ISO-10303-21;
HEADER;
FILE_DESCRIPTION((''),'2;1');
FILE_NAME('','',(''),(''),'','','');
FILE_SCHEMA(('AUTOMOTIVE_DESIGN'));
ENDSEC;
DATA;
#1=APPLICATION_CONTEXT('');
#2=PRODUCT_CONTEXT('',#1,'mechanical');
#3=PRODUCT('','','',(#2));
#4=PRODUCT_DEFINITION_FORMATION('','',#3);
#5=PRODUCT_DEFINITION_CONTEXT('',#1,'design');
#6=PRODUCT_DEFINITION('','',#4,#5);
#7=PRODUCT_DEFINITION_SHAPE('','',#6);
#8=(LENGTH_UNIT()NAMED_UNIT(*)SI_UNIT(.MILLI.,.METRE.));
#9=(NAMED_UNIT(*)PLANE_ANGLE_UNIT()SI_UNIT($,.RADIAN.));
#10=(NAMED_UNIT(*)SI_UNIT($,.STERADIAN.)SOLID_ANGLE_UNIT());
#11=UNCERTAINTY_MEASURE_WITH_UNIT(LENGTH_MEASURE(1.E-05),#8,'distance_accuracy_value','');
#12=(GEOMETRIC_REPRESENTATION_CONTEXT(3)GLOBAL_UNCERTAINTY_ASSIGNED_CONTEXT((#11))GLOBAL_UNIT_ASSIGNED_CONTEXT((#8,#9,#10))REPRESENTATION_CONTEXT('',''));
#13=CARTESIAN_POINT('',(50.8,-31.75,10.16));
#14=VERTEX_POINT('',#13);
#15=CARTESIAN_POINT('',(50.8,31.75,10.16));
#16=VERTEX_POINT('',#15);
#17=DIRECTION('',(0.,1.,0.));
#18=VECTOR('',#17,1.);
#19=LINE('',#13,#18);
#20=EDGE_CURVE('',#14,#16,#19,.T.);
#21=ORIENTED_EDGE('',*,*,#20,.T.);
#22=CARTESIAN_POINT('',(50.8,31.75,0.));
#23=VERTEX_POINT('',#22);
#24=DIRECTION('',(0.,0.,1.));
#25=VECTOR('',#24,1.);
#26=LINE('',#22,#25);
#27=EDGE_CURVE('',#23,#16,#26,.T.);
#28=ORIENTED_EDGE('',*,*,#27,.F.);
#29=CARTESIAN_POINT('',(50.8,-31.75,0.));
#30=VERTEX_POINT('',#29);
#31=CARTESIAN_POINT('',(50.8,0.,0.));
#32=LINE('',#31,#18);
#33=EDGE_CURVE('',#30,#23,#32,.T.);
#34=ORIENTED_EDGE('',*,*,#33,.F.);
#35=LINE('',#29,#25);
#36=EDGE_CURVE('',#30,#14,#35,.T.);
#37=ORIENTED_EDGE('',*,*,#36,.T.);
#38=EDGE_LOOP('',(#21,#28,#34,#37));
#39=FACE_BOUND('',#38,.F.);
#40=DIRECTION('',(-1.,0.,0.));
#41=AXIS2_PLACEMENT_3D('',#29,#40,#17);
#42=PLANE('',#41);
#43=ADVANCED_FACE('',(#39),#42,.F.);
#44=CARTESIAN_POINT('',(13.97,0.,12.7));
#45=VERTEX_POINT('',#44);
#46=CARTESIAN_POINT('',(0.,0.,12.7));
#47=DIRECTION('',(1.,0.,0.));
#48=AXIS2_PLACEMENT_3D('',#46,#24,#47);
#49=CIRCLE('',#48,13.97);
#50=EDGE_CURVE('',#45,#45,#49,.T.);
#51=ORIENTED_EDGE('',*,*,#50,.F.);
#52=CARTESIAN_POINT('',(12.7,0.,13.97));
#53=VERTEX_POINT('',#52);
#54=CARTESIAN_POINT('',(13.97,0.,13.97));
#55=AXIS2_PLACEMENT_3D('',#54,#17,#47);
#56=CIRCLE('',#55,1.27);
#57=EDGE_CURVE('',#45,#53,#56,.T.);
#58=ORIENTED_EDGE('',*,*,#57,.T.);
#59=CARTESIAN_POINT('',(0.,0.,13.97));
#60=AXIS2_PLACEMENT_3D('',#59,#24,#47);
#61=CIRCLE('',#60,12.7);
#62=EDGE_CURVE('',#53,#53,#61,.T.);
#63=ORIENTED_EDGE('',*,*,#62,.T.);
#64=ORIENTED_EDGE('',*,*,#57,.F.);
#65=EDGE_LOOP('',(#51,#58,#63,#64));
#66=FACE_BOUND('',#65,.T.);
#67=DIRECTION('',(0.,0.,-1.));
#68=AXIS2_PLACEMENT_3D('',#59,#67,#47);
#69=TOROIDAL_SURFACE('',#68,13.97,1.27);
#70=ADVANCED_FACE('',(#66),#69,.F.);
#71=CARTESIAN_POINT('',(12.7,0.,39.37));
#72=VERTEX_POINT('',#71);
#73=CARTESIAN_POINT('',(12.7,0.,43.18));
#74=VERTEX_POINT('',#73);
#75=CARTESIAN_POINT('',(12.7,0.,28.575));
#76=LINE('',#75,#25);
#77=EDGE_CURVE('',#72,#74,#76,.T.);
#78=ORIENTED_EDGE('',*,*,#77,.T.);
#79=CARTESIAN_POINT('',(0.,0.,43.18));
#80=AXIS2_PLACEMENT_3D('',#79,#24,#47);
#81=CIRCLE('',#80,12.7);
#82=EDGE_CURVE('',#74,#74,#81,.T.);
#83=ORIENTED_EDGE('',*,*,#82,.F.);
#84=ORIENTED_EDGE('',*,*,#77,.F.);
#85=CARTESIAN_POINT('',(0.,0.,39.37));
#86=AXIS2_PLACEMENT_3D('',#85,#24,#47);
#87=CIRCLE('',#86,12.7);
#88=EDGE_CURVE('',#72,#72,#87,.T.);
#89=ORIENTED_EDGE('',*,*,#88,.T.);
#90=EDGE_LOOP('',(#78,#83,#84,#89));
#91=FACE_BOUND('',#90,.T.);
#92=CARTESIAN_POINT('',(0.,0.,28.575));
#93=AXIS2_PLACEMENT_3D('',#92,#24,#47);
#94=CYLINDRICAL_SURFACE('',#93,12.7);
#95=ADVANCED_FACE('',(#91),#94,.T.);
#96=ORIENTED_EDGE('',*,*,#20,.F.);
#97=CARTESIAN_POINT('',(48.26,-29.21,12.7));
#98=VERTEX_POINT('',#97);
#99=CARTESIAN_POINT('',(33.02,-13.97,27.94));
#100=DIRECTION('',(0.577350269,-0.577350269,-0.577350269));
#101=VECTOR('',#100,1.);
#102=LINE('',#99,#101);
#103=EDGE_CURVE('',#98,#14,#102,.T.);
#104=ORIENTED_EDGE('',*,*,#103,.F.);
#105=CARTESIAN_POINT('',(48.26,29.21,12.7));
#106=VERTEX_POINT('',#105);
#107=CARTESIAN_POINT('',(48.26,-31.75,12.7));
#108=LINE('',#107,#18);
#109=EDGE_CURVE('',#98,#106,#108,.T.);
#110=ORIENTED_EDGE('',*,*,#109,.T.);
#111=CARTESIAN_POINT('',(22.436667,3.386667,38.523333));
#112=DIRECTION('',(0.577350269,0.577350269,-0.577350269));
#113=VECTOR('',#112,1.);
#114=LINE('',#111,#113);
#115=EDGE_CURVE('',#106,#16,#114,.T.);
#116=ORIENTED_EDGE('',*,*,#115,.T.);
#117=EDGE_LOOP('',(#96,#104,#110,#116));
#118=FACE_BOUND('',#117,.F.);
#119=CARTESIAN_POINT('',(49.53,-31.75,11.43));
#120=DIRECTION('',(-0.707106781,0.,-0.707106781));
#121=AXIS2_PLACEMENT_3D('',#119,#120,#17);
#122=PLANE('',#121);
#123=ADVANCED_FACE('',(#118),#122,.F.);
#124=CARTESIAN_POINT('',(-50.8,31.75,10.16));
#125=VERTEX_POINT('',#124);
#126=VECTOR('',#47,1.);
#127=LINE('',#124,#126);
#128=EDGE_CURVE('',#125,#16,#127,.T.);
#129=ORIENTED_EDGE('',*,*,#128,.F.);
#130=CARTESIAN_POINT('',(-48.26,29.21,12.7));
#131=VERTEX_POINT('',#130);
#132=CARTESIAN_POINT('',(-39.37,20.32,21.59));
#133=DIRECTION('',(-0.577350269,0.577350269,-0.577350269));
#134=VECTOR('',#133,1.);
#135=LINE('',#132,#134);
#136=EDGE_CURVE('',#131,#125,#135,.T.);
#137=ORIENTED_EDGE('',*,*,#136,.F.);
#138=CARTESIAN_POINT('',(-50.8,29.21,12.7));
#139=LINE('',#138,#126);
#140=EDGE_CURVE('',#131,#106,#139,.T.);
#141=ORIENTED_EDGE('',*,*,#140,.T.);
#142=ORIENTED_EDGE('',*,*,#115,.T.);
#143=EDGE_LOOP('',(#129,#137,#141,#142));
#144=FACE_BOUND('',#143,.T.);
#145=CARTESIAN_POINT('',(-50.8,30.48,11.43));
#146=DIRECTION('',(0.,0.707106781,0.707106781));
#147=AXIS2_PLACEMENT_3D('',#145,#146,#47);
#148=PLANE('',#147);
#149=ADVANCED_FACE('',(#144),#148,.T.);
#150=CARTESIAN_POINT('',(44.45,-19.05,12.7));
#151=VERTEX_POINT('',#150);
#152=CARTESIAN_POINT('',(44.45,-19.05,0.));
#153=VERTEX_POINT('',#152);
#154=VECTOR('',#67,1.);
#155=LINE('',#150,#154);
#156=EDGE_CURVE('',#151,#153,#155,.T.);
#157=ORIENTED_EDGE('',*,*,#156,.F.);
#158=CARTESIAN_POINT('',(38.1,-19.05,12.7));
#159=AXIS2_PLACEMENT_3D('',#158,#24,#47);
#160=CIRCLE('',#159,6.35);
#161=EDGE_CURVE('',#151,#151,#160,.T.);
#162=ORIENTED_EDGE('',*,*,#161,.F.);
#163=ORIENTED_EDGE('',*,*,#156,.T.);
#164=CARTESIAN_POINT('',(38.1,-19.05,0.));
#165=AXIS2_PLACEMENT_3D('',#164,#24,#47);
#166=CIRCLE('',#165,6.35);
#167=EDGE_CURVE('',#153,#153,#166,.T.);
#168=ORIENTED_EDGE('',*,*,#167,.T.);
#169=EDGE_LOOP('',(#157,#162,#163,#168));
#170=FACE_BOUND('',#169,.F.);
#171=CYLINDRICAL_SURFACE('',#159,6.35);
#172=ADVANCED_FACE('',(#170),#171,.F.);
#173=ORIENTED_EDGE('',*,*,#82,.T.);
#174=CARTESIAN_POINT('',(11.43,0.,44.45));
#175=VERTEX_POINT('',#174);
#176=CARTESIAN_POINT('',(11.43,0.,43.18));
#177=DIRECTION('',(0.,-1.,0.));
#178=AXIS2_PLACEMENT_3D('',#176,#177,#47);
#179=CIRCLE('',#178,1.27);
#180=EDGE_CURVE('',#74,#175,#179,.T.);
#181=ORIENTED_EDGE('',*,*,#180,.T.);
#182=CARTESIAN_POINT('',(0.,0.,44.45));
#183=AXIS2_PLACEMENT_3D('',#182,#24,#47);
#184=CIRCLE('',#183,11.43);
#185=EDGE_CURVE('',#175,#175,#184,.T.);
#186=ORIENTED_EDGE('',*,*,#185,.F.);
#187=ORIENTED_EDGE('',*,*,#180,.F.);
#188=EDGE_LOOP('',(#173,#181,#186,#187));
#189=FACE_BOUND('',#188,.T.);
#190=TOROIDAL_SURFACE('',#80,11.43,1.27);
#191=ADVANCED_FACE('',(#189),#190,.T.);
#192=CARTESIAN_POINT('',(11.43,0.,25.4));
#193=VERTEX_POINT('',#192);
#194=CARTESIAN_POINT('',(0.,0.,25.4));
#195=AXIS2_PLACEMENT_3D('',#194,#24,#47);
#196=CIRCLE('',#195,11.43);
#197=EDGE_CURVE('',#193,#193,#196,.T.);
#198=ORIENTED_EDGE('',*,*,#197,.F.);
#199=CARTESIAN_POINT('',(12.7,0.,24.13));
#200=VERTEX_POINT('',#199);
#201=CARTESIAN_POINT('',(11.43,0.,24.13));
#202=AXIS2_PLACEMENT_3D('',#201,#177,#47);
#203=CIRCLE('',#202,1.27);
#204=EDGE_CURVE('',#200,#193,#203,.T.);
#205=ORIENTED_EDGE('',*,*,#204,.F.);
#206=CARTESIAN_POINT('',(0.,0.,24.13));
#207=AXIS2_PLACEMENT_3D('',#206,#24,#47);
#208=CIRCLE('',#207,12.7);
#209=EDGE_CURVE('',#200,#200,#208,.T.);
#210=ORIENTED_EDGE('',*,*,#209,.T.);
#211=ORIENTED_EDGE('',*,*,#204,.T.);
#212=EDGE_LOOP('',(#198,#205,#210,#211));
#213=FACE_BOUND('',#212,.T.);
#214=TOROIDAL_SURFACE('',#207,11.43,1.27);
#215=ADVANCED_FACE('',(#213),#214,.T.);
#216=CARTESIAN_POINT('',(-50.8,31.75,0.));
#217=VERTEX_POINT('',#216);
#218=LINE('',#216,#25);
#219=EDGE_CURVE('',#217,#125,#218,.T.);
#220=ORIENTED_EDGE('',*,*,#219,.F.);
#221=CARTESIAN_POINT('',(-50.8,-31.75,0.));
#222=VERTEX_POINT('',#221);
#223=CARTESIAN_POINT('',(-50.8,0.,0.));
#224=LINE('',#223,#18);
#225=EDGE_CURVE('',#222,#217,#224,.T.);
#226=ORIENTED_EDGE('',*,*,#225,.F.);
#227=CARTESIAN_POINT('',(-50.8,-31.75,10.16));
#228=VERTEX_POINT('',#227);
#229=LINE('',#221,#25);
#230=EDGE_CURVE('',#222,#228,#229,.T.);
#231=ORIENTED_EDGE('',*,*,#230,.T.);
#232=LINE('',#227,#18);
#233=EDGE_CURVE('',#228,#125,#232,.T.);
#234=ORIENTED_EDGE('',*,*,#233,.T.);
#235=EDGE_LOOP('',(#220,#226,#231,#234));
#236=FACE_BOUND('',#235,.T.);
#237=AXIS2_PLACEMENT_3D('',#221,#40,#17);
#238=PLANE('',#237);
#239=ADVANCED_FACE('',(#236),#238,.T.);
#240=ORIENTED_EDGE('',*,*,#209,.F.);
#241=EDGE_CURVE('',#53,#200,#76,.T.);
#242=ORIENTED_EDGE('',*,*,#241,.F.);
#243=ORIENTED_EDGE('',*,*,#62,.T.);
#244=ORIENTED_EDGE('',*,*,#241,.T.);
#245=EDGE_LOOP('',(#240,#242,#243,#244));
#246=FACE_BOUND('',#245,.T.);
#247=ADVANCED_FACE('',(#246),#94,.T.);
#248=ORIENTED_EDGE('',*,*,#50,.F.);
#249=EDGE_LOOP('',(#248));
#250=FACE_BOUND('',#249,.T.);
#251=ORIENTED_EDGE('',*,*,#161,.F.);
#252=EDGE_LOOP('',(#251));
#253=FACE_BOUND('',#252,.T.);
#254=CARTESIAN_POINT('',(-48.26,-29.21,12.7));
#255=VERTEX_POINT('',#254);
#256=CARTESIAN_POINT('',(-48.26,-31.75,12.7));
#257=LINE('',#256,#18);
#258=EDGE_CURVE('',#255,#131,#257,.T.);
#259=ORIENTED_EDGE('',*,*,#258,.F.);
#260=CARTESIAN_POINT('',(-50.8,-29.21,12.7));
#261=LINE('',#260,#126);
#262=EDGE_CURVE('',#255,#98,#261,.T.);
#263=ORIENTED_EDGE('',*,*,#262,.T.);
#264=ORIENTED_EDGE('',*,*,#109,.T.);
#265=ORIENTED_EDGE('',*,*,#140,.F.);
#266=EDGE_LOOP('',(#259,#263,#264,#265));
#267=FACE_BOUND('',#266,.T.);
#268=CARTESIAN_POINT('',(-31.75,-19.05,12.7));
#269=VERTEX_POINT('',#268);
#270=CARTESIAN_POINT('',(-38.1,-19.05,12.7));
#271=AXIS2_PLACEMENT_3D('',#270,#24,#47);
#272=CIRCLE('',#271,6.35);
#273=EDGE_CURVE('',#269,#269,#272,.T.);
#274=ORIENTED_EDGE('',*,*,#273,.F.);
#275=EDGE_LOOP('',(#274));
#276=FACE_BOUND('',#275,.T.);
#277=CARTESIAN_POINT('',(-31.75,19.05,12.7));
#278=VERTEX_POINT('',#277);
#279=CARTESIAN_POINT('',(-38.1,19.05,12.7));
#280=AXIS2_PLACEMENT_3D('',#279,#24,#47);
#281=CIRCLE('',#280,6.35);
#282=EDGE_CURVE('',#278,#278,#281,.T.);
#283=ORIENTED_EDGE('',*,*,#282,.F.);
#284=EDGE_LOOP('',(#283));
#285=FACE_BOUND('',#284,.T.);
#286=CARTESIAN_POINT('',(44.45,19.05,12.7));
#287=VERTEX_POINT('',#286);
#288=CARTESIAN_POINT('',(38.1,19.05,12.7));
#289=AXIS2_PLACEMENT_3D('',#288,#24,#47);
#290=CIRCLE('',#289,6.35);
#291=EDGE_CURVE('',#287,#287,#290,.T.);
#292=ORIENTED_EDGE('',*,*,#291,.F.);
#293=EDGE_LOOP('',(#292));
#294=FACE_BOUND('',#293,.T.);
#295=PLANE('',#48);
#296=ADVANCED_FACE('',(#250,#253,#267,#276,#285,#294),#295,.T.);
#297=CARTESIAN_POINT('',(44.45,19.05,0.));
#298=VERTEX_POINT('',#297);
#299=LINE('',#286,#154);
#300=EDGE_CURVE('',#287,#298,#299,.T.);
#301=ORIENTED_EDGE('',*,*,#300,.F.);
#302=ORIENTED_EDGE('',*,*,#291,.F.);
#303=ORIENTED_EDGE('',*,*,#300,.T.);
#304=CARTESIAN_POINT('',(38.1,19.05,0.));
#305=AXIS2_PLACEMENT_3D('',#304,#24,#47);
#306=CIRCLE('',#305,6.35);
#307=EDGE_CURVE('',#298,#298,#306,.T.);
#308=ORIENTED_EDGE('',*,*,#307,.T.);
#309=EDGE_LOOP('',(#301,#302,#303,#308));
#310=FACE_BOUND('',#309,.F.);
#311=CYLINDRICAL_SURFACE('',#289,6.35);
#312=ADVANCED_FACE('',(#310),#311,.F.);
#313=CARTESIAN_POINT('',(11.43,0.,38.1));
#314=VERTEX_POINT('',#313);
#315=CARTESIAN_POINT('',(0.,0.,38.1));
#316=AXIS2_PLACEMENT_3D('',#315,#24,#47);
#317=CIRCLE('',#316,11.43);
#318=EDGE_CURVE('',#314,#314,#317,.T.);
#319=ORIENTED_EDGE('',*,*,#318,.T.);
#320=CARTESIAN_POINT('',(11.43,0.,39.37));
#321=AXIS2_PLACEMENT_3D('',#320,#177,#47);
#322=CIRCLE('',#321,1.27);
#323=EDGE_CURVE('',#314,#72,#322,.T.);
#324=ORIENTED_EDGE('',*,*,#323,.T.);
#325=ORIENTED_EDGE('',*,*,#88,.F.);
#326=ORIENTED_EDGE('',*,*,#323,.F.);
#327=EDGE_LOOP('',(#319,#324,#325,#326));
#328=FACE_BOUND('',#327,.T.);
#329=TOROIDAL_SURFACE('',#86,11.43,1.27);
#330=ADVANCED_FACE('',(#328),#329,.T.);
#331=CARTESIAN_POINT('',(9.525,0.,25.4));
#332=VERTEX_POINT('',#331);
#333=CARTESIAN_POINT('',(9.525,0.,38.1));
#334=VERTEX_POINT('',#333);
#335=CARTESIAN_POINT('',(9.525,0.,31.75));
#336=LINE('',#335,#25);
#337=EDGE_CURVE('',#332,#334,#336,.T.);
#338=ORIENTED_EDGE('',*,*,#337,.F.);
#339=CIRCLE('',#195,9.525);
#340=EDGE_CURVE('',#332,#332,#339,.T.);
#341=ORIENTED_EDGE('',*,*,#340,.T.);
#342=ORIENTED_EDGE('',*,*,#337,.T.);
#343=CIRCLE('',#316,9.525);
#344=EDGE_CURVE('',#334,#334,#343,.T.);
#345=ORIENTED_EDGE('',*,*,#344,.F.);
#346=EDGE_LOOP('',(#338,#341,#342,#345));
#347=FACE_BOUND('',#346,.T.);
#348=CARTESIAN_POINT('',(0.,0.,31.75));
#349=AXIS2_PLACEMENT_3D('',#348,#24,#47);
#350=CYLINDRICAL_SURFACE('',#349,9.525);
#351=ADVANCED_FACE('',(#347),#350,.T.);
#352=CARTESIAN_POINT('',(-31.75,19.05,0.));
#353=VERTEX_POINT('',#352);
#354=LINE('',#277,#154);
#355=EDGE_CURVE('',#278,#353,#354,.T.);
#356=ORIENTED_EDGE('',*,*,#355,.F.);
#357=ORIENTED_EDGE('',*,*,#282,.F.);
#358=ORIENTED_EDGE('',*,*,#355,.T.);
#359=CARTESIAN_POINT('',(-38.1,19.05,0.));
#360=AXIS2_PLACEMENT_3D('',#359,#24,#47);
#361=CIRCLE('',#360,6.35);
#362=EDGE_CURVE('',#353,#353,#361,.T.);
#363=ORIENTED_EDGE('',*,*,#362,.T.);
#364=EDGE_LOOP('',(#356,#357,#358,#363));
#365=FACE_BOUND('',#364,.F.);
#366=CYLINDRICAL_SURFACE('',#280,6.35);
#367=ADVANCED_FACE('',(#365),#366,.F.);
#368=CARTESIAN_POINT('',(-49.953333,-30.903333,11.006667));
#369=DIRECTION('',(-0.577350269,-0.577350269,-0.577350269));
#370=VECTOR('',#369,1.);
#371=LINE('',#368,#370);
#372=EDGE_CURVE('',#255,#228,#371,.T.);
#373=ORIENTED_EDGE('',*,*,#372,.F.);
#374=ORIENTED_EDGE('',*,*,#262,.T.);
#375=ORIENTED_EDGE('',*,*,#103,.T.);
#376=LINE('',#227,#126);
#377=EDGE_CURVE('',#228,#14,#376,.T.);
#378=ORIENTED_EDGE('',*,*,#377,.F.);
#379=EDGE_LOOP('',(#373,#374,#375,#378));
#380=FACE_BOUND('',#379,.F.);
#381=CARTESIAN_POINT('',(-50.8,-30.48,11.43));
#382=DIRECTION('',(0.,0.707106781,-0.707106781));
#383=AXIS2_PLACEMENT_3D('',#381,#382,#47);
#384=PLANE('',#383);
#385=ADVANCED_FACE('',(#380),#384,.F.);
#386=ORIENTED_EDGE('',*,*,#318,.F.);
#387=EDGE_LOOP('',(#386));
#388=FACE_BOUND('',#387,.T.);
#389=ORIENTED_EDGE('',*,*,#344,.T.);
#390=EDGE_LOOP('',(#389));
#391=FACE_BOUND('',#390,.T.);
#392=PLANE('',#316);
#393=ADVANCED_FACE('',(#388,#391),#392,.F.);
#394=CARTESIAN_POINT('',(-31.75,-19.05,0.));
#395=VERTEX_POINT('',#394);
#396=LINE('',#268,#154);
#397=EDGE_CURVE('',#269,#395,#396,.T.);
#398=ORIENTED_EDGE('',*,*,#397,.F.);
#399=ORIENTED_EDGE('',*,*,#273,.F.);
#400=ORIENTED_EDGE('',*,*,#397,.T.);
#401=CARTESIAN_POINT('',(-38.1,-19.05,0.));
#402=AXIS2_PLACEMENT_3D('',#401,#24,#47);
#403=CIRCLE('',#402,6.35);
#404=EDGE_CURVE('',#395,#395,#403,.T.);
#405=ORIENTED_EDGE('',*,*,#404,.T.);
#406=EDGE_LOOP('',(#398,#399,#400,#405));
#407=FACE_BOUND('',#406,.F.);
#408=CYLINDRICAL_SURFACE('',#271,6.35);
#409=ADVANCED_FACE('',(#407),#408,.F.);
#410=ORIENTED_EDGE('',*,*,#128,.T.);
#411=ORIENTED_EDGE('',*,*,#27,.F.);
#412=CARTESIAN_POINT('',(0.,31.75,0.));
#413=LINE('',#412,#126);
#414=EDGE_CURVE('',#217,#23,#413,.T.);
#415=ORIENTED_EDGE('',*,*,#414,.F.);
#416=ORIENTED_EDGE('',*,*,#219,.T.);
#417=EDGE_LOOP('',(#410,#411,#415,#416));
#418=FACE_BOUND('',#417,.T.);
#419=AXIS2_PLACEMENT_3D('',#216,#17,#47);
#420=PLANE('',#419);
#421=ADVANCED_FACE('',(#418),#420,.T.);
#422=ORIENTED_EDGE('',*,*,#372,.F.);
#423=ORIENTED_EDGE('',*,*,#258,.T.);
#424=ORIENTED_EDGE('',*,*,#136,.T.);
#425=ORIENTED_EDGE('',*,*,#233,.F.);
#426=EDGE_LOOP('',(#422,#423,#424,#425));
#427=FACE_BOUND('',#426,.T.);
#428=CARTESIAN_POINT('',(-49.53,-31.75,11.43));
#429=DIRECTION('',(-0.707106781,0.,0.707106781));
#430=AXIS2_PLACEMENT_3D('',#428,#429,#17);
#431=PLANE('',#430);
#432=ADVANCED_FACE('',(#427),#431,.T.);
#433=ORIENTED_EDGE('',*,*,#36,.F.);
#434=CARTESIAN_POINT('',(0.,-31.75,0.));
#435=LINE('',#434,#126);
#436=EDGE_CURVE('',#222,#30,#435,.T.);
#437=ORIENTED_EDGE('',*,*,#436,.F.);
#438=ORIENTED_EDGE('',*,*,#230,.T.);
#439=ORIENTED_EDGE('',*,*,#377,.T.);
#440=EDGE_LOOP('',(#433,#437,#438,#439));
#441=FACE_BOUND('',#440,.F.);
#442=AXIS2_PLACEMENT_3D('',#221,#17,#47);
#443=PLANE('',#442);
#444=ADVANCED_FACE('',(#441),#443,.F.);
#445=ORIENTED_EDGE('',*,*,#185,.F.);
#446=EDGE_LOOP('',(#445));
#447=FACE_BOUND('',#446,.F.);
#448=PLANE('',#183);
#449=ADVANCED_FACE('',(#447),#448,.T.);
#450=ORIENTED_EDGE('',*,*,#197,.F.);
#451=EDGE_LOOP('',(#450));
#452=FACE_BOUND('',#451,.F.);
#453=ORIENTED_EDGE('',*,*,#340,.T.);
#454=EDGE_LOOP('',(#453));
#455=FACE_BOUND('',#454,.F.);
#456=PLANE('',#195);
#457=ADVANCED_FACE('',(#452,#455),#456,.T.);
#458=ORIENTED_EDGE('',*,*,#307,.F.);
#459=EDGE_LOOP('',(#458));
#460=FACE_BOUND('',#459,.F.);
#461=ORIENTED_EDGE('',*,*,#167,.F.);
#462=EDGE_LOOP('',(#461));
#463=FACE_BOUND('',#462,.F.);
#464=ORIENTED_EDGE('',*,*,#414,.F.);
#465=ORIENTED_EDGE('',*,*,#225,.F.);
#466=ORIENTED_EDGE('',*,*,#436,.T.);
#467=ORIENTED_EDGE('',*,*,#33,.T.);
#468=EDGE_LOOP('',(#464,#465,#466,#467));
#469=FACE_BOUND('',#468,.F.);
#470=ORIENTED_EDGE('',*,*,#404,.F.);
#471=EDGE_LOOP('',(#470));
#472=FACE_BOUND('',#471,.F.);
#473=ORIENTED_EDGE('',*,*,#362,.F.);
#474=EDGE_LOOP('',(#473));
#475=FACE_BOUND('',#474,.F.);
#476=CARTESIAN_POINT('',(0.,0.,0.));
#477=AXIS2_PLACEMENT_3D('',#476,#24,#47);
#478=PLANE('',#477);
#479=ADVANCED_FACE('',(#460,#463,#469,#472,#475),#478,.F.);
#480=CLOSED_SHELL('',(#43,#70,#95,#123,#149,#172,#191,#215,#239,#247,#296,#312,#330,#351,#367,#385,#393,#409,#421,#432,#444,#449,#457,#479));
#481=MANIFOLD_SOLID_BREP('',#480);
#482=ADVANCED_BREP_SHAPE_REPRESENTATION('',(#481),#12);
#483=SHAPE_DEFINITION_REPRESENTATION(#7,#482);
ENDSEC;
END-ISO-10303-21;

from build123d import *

# Parameters (mm, degrees)
F0_W     = 101.6
F0_H     = 63.5
F1_DEPTH = 12.7
F2_R     = 6.35
F3_DEPTH = 12.701
F4_W     = 12.7
F4_H     = 31.75
F6_W     = 3.175
F6_H     = 12.7
F8_R     = 1.27
F9_SIZE  = 2.54


with BuildPart() as f1:
    # F0 (on Top) → F1 (new body)
    with BuildSketch(Plane.XY):
        Rectangle(F0_W, F0_H)
    extrude(amount=F1_DEPTH)

    # F2 (on face) → F3 (cut, through all)
    with BuildSketch(Plane.XY.offset(12.7)):
        with Locations((-38.1, 19.05)):
            Circle(F2_R)
        with Locations((-38.1, -19.05)):
            Circle(F2_R)
        with Locations((38.1, 19.05)):
            Circle(F2_R)
        with Locations((38.1, -19.05)):
            Circle(F2_R)
    extrude(amount=-F3_DEPTH, mode=Mode.SUBTRACT)

    # F4 (on Front) → F5 (revolve)
    with BuildSketch(Plane.XZ):
        with Locations((6.35, 28.575)):
            Rectangle(F4_W, F4_H)
    revolve(axis=Axis((0, 0, 28.575), (0, 0, 1)))

    # F6 (on Front) → F7 (revolve, cut)
    with BuildSketch(Plane.XZ):
        with Locations((11.1125, 31.75)):
            Rectangle(F6_W, F6_H)
    revolve(axis=Axis((0, 0, 28.575), (0, 0, 1)), mode=Mode.SUBTRACT)

    # F8
    f8_edges = [f1.edges().sort_by_distance(p)[0] for p in [
        (-12.7, 0, 12.7),
        (-12.7, 0, 44.45),
        (-12.7, 0, 38.1),
        (-12.7, 0, 25.4),
    ]]
    fillet(f8_edges, radius=F8_R)

    # F9
    f9_edges = [f1.edges().sort_by_distance(p)[0] for p in [
        (0, -31.75, 12.7),
        (50.8, 0, 12.7),
        (0, 31.75, 12.7),
        (-50.8, 0, 12.7),
    ]]
    chamfer(f9_edges, length=F9_SIZE)


solid = f1.part
